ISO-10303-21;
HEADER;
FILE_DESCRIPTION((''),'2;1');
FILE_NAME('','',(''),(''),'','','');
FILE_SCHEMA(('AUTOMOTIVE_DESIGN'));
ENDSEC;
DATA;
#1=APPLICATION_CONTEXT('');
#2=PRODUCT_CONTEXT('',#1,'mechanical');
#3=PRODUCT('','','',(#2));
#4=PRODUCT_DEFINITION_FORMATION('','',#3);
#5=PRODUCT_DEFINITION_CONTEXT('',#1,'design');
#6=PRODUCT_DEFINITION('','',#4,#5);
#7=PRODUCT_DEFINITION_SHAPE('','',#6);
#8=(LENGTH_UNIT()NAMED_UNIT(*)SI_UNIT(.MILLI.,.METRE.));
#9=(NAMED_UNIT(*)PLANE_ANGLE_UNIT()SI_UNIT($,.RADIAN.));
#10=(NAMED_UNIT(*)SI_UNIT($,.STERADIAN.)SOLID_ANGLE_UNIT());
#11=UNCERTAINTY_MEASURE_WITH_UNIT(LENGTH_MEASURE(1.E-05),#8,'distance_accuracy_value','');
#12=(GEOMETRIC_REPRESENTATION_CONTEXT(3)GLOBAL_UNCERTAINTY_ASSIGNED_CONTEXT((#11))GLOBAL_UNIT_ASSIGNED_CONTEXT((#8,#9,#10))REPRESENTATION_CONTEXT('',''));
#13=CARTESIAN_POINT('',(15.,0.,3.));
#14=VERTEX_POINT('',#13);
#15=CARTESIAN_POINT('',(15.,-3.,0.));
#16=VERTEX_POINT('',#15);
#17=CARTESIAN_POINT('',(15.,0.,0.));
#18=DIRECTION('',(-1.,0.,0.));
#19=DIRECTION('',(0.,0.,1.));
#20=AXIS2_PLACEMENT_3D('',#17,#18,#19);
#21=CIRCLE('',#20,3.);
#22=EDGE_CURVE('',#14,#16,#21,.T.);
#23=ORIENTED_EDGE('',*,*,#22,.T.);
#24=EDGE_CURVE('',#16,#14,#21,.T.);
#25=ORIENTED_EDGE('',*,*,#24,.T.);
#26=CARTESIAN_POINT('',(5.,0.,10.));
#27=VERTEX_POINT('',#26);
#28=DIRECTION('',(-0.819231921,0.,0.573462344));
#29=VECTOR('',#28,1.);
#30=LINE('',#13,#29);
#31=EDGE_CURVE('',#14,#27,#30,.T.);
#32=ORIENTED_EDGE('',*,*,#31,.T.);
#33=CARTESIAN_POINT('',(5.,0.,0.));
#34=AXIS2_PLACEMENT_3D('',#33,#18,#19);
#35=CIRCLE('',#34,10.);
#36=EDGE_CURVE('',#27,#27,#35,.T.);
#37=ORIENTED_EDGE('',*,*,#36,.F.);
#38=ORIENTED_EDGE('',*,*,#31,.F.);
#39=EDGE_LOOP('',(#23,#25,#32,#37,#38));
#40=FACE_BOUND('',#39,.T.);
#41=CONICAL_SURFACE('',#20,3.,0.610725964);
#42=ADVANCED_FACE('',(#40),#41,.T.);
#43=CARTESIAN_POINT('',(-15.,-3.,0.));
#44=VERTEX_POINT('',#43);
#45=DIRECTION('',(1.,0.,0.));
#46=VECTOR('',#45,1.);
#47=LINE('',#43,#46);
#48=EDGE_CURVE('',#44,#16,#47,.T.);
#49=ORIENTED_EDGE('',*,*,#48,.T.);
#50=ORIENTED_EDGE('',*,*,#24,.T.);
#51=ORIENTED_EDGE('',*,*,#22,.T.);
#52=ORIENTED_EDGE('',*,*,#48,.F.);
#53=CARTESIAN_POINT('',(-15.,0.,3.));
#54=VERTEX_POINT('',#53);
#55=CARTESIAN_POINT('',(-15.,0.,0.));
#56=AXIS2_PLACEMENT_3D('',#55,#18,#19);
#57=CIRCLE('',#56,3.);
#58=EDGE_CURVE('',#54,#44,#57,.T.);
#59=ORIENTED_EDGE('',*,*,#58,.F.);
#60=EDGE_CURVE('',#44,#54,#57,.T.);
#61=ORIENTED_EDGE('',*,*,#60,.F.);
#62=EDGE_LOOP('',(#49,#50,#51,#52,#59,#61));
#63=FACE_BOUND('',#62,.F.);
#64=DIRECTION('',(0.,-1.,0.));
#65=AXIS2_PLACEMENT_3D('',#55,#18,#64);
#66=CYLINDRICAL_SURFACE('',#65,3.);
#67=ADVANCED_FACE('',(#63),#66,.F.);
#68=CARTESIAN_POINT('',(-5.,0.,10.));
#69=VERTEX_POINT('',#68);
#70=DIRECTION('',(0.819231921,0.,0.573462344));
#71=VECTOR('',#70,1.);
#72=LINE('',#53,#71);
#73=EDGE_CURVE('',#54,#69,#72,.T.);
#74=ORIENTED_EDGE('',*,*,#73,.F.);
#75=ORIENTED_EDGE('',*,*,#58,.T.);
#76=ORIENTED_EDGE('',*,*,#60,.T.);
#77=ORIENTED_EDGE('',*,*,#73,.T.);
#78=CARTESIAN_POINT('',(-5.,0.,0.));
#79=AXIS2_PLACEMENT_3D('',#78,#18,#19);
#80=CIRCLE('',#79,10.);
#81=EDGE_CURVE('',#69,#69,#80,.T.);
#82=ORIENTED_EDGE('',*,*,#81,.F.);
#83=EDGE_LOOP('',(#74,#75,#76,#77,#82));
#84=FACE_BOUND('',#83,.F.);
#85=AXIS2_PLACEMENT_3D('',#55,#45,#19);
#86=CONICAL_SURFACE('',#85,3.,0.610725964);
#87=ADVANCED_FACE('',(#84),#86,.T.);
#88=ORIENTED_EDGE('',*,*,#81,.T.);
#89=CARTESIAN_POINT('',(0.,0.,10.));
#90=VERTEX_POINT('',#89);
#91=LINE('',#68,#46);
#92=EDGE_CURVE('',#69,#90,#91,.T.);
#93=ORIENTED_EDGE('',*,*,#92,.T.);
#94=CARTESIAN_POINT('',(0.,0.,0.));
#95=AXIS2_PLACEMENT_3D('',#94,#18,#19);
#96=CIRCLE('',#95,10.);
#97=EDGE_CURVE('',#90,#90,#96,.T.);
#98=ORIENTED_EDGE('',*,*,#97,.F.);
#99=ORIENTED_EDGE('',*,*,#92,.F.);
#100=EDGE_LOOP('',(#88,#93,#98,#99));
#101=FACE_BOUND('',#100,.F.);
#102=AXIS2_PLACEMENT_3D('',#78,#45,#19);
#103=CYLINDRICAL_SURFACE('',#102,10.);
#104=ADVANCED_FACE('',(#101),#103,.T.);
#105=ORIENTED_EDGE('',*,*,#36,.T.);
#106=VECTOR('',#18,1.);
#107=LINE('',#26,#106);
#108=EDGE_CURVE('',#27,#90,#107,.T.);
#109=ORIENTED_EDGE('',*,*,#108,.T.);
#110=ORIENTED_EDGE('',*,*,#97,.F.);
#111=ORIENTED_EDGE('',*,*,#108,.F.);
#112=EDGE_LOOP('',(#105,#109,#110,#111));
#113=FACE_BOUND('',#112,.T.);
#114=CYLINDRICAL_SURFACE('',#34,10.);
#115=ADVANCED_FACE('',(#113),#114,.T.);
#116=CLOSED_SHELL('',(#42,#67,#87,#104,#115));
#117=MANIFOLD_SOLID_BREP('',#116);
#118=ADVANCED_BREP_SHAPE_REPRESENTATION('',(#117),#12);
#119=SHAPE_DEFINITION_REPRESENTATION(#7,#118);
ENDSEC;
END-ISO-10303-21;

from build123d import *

# Parameters (mm, degrees)
F3_R     = 3
F4_DEPTH = 30.001


with BuildPart() as f1:
    # F0 (on Front) → F1 (revolve)
    with BuildSketch(Plane.XZ):
        Polygon((0, 10), (0, 0), (15, 0), (15, 3), (5, 10), align=None)
    revolve(axis=Axis((7.5, 0, 0), (-1, 0, 0)))

    # F2: F1 across plane


with BuildPart() as f1_1:
    add(f1.part)
    add(f1.part.mirror(Plane.YZ))

    # F3 (on face) → F4 (cut, through all)
    with BuildSketch(Plane(origin=(-15, 0, 0), x_dir=(0, -1, 0), z_dir=(-1, 0, 0))):
        Circle(F3_R)
    extrude(amount=-F4_DEPTH, mode=Mode.SUBTRACT)


solid = f1_1.part
